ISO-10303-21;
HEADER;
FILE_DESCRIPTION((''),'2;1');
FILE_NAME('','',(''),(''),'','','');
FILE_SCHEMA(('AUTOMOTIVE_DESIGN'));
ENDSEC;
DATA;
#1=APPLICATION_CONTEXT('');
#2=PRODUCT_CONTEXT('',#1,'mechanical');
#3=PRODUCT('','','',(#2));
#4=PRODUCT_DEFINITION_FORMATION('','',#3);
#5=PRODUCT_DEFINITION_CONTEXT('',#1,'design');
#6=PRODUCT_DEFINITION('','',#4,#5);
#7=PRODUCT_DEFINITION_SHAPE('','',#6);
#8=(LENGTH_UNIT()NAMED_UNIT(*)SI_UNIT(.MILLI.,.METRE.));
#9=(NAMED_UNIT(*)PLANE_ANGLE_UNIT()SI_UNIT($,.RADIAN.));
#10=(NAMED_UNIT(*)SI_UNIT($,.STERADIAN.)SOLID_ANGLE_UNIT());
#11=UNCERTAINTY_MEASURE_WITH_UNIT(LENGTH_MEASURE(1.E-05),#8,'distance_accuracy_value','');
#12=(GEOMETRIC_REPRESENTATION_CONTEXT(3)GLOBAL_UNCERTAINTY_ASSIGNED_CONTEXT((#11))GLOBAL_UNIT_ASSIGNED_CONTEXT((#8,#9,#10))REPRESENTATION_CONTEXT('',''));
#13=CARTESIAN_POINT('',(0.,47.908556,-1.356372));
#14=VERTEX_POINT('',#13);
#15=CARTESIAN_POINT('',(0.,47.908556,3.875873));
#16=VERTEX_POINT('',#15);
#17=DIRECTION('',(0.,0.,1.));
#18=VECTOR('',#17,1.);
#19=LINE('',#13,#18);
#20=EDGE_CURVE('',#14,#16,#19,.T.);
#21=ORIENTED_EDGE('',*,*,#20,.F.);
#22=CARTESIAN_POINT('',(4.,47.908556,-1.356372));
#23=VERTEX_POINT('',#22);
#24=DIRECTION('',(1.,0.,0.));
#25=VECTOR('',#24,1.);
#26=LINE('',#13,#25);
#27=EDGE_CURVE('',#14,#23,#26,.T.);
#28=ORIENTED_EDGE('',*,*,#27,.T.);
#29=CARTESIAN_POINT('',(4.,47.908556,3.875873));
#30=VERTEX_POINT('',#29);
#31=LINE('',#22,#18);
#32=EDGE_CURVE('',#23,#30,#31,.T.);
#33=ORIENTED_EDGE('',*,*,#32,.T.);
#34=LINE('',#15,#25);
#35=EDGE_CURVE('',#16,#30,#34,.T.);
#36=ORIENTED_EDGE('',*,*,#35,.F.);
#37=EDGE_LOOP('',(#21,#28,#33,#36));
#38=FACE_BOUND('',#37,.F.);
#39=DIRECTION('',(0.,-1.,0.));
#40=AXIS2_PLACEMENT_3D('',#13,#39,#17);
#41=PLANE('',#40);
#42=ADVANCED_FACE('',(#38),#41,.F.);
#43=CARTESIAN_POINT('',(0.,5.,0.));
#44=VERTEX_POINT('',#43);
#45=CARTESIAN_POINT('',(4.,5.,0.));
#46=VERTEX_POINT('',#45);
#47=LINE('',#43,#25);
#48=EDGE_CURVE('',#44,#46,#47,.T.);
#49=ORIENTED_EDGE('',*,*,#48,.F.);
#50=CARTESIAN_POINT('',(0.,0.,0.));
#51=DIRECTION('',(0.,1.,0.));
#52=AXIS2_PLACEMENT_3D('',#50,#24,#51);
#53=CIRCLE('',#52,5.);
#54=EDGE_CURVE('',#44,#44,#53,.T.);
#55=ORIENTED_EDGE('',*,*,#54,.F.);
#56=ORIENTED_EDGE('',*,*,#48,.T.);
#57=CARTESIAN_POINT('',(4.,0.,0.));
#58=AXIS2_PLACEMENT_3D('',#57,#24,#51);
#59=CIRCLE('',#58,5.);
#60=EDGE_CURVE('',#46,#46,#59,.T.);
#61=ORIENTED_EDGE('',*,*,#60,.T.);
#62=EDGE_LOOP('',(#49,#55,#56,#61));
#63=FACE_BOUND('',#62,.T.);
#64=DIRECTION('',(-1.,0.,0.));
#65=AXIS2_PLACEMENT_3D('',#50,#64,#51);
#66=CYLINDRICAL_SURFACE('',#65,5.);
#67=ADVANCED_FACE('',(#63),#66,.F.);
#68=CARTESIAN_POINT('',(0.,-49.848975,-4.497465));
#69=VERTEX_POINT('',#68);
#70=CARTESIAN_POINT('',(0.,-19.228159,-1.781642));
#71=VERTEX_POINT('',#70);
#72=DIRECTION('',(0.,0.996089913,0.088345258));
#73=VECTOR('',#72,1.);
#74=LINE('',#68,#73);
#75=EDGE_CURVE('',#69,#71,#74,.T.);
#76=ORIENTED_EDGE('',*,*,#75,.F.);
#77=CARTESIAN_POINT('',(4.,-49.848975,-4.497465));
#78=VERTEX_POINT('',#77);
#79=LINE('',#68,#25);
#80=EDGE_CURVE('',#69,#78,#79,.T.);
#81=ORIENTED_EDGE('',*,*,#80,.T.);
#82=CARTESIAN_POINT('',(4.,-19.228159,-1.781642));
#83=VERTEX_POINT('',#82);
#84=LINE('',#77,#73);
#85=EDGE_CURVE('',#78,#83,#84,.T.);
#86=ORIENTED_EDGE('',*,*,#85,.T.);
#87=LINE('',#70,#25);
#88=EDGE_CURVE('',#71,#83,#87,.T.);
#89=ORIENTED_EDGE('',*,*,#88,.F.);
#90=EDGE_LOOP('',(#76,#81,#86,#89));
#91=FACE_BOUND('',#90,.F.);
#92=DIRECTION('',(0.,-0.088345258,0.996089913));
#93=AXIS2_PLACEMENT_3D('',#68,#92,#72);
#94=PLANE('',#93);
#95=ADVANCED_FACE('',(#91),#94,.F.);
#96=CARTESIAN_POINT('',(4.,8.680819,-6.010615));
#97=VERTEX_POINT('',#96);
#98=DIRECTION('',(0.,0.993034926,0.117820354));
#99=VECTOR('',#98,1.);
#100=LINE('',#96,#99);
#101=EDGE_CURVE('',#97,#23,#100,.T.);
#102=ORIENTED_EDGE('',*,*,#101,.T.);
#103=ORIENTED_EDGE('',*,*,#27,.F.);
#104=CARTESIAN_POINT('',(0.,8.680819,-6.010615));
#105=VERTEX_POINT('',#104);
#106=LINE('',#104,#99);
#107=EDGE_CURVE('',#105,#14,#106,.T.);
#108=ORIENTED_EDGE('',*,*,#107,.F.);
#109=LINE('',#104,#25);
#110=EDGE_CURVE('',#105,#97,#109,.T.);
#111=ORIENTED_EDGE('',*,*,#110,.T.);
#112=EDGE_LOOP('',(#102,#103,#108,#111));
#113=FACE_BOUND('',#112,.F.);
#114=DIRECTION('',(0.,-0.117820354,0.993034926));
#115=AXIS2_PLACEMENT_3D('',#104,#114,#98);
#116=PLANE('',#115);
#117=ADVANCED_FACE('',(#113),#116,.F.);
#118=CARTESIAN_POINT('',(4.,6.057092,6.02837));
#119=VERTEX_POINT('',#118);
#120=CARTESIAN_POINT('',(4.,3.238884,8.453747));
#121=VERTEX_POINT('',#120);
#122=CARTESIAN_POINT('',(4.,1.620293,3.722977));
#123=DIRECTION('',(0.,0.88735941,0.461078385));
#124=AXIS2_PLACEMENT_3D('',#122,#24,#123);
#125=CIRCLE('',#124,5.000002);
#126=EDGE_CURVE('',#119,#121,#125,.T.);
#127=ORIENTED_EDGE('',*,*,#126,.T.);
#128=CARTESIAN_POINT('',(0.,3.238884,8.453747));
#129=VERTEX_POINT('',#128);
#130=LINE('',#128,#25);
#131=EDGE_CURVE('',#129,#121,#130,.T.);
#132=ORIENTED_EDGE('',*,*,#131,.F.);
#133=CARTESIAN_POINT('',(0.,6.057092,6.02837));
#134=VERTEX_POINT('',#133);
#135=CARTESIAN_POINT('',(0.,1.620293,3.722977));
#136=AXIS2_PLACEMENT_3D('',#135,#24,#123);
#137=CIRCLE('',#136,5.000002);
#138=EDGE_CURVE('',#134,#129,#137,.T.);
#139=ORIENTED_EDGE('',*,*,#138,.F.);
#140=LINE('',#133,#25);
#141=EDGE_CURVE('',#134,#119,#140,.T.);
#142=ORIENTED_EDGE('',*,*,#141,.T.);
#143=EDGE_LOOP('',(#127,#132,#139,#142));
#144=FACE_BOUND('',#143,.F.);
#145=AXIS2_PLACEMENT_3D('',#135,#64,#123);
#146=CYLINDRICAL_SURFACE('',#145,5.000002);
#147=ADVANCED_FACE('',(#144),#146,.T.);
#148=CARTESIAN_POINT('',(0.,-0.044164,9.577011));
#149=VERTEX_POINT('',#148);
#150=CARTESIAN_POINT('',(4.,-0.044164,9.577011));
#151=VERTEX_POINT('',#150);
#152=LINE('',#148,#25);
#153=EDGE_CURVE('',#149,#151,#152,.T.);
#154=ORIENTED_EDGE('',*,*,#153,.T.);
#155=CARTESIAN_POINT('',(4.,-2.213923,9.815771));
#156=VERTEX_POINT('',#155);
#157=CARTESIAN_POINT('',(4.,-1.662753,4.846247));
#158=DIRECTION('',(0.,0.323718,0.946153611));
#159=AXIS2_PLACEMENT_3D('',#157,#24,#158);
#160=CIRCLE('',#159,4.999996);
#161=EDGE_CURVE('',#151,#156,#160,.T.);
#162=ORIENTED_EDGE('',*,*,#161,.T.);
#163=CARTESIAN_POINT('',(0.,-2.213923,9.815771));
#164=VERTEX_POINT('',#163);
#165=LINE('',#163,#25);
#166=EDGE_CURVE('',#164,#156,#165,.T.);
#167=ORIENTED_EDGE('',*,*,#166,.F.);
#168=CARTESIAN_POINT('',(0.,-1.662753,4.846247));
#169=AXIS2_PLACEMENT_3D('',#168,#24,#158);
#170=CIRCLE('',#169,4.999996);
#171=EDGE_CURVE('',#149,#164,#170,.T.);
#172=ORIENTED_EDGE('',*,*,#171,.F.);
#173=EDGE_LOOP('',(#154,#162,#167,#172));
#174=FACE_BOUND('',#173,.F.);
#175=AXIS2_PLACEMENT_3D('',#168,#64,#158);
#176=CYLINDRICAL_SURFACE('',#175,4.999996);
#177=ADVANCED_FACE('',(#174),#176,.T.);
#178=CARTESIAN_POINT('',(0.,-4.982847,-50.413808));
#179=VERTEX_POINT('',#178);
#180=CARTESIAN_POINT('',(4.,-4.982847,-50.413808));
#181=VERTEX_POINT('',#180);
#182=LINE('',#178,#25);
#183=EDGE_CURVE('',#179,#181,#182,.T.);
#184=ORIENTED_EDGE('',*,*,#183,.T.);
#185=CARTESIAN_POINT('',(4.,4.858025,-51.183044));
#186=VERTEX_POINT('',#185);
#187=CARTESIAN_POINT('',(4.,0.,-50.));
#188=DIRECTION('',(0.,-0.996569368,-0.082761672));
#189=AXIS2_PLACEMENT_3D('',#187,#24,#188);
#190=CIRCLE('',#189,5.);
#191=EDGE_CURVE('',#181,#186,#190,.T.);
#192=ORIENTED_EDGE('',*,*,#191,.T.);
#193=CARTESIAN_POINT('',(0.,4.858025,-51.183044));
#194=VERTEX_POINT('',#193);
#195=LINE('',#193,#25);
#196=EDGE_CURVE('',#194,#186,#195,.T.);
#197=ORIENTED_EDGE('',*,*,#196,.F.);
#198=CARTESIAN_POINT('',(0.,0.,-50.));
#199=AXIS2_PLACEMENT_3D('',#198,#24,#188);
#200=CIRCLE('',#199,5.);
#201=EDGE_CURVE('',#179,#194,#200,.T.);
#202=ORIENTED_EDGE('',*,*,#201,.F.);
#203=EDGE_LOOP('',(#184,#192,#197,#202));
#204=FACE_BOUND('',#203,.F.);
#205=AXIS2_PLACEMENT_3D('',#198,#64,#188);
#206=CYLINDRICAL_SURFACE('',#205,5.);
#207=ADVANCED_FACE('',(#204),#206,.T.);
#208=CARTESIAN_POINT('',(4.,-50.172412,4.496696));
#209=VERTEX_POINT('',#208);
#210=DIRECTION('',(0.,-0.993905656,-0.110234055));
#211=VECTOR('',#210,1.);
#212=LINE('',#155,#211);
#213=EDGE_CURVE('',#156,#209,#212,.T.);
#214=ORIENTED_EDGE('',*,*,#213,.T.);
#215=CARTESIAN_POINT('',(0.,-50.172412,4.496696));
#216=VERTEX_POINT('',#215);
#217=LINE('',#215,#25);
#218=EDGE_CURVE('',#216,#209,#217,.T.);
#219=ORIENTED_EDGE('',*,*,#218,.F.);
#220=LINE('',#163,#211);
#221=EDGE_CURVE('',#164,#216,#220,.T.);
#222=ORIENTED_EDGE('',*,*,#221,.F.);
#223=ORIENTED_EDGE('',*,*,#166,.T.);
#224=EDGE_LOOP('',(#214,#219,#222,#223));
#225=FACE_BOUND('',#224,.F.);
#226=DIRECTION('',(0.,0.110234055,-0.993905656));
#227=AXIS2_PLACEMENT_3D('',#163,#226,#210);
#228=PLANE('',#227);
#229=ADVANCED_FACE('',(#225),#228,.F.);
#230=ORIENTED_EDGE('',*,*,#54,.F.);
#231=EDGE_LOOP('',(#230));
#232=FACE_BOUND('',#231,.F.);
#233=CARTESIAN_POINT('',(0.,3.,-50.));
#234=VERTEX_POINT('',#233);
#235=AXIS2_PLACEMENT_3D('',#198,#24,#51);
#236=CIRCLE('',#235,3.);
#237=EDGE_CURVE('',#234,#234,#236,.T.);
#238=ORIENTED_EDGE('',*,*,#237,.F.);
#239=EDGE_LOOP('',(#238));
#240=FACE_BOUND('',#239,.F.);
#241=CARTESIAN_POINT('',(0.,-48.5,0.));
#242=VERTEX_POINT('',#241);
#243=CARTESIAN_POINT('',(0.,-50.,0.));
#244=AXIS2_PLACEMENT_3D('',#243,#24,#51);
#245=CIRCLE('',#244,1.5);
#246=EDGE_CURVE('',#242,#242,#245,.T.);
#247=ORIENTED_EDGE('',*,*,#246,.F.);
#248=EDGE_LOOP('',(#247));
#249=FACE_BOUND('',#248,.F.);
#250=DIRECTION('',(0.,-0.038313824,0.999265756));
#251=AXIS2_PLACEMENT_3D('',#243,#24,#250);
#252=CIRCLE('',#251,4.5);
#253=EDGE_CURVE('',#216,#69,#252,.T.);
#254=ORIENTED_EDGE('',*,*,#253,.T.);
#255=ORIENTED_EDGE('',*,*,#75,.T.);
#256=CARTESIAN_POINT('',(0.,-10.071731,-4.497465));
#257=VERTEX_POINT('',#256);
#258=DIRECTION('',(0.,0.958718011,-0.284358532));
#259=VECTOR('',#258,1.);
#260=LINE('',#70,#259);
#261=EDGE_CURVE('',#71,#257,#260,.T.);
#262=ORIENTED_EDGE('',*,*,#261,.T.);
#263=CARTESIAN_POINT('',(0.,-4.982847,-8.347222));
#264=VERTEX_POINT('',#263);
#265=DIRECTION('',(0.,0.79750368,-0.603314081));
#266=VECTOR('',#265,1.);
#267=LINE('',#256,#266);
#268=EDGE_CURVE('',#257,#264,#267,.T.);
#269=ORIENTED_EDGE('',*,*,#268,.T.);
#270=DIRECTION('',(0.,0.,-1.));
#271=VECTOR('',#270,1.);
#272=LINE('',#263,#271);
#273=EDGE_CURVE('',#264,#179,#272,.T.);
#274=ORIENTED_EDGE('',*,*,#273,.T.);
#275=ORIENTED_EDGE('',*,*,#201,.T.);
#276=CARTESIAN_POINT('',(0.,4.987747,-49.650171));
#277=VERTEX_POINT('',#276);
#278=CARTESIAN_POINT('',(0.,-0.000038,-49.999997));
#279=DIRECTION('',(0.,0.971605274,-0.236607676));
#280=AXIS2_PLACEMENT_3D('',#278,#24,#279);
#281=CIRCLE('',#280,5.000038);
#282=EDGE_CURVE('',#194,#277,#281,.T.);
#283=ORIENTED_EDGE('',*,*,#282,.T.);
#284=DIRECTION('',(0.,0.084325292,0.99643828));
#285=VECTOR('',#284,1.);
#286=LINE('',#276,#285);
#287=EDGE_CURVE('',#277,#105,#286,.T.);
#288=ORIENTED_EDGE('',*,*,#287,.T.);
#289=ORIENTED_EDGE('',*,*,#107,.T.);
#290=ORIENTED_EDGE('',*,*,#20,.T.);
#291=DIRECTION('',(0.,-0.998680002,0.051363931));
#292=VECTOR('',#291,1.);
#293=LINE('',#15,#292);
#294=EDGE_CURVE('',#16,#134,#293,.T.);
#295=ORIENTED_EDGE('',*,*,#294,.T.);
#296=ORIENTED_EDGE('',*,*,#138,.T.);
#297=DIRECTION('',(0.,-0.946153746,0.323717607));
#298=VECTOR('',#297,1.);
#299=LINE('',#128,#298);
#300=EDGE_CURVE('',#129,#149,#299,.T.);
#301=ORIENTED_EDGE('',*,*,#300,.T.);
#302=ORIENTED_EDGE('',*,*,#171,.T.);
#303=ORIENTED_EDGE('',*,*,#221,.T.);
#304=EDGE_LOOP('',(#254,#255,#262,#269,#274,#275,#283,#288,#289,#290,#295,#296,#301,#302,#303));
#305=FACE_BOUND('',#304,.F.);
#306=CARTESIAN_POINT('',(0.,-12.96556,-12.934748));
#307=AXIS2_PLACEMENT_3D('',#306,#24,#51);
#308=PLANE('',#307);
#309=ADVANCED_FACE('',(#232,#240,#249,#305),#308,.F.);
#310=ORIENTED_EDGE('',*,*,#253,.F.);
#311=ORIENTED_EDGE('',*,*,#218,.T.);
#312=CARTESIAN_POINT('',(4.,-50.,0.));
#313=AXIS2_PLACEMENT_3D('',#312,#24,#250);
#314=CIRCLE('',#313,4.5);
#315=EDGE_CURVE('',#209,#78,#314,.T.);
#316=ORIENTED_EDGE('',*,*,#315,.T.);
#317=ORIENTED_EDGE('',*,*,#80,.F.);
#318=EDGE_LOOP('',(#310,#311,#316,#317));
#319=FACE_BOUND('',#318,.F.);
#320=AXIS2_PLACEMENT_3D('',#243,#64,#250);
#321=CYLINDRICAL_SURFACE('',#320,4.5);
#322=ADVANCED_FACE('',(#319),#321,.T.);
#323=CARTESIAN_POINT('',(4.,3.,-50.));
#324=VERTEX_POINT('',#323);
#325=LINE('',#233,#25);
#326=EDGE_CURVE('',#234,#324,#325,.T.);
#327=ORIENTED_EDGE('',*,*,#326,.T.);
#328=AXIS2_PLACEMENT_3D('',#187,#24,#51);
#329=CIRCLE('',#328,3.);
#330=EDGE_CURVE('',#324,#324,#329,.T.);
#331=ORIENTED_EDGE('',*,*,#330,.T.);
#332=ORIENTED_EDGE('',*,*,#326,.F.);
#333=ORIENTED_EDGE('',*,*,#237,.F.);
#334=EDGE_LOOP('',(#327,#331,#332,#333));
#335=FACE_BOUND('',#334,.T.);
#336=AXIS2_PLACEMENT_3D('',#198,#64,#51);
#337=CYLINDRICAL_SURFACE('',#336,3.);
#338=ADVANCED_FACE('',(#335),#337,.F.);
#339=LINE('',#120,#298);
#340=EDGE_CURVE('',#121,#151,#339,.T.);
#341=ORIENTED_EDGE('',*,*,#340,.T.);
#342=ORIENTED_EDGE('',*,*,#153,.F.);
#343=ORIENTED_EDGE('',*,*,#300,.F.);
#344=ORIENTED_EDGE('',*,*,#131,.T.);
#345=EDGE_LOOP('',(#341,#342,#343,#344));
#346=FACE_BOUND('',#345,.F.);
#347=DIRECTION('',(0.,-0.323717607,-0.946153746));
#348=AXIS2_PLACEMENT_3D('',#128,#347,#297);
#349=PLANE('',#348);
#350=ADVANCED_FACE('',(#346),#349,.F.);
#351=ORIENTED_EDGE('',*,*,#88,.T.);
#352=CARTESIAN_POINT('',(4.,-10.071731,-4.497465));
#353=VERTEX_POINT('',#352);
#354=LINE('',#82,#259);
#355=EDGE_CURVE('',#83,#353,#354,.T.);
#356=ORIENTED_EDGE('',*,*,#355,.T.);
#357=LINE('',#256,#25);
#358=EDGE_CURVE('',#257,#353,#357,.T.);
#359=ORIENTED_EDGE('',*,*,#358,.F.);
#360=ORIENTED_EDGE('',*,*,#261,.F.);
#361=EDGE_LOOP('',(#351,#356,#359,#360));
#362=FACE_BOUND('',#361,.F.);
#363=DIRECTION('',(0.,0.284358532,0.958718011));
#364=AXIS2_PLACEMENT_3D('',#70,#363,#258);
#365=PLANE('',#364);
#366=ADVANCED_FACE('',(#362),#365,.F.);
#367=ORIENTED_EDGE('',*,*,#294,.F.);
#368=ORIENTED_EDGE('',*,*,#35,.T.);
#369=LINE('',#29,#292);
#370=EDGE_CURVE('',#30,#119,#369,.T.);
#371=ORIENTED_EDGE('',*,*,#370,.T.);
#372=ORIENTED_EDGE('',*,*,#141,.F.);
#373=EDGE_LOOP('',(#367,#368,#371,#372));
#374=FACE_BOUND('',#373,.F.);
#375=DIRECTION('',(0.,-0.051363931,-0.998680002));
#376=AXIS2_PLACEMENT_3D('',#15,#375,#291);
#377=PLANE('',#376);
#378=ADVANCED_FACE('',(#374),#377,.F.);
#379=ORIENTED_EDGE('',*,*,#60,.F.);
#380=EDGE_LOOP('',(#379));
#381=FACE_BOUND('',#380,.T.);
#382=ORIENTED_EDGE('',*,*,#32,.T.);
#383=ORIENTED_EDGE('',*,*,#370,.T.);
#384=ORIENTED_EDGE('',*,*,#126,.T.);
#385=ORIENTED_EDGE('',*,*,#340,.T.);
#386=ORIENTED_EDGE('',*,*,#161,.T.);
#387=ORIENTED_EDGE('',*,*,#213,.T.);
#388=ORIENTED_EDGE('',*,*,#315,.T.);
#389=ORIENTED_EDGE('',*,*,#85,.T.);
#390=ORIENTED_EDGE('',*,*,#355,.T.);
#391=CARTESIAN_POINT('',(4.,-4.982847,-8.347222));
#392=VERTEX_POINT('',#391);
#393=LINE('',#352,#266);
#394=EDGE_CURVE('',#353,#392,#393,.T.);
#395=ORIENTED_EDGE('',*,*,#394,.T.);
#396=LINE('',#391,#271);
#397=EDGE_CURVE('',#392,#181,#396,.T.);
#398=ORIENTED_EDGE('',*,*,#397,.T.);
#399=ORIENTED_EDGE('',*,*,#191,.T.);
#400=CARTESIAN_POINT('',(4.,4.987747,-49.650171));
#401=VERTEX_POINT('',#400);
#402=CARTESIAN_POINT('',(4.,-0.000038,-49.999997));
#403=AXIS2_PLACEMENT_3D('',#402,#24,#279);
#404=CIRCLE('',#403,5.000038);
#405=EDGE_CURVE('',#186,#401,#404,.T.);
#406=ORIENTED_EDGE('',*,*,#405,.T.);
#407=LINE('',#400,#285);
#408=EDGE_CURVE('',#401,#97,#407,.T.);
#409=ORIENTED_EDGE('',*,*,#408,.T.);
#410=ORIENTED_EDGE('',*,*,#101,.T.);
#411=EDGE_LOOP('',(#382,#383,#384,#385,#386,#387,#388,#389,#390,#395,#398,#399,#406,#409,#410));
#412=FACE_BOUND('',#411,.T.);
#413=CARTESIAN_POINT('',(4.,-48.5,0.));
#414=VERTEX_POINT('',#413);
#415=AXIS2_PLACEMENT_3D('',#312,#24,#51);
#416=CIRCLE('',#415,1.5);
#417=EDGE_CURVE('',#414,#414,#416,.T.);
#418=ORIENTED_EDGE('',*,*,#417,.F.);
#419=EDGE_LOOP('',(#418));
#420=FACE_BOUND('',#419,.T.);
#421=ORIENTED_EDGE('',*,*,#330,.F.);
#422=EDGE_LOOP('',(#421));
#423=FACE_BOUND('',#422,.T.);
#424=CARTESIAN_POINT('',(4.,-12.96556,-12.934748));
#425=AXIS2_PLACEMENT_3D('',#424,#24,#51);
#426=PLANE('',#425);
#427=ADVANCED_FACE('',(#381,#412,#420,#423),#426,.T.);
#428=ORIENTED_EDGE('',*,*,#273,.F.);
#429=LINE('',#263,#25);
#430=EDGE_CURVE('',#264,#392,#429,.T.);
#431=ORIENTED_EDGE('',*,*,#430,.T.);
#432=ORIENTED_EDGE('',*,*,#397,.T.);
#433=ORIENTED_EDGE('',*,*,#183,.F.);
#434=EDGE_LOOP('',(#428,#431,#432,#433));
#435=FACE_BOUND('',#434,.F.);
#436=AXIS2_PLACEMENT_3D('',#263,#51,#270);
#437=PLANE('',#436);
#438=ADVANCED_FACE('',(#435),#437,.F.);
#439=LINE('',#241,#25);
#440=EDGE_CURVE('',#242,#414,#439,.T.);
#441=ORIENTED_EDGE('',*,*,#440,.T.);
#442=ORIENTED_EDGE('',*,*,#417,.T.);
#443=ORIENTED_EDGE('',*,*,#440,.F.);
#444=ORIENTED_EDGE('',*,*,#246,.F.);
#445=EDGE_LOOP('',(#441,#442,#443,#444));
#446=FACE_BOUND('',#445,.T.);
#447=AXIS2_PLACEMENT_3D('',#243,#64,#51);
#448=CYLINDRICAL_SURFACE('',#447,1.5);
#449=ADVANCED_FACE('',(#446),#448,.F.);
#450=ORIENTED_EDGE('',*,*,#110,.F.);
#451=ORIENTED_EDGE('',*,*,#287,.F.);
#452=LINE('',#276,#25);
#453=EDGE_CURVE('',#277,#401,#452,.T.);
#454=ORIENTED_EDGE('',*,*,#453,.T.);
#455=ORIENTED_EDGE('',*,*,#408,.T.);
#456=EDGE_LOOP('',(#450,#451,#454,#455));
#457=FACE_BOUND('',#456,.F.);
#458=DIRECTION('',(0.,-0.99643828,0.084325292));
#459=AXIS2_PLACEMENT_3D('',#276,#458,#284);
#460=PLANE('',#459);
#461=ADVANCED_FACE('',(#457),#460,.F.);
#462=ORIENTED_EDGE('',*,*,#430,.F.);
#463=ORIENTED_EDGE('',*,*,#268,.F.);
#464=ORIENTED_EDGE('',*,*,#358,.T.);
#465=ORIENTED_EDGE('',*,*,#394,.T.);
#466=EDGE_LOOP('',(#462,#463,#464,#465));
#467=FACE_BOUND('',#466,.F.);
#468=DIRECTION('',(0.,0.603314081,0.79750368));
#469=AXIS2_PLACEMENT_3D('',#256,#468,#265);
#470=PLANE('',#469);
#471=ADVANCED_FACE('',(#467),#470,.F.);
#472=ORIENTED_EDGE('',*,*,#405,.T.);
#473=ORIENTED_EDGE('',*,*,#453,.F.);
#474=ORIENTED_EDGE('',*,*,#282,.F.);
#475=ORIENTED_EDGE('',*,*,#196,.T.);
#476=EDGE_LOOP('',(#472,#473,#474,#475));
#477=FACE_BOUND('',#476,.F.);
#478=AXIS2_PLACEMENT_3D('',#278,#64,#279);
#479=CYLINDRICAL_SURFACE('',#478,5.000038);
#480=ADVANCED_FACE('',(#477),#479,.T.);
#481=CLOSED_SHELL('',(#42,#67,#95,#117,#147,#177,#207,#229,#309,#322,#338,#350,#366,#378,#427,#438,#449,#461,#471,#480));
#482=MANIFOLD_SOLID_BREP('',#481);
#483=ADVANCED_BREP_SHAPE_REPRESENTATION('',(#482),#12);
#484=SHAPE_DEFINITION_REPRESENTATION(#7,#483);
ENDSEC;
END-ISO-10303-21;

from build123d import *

# Parameters (mm, degrees)
F0_R     = 3
F0_R_2   = 1.5
F0_R_3   = 5
F1_DEPTH = 4


with BuildPart() as f1:
    # F0 (on Right) → F1 (new body)
    with BuildSketch(Plane.YZ):
        with BuildLine():
            Line((-2.213923, 9.815771), (-50.172412, 4.496696))
            ThreePointArc((-50.172412, 4.496696), (-54.497093, -0.161719), (-49.848975, -4.497465))
            Line((-49.848975, -4.497465), (-19.228159, -1.781642))
            Line((-19.228159, -1.781642), (-10.071731, -4.497465))
            Line((-10.071731, -4.497465), (-4.982847, -8.347222))
            Line((-4.982847, -8.347222), (-4.982847, -50.413808))
            ThreePointArc((-4.982847, -50.413808), (-0.389649, -54.984794), (4.858025, -51.183044))
            Line((4.858025, -51.183044), (4.987747, -49.650171))
            Line((4.987747, -49.650171), (8.680819, -6.010615))
            Line((8.680819, -6.010615), (9.067407, -1.442462))
            ThreePointArc((9.067407, -1.442462), (8.988122, -0.04027), (8.522012, 1.284557))
            Line((8.522012, 1.284557), (6.057092, 6.02837))
            ThreePointArc((6.057092, 6.02837), (4.881819, 7.512762), (3.238884, 8.453747))
            Line((3.238884, 8.453747), (-0.044164, 9.577011))
            ThreePointArc((-0.044164, 9.577011), (-1.115855, 9.816243), (-2.213923, 9.815771))
        make_face()
        with Locations((0, -50)):
            Circle(F0_R, mode=Mode.SUBTRACT)
        with Locations((-50, 0)):
            Circle(F0_R_2, mode=Mode.SUBTRACT)
        Circle(F0_R_3, mode=Mode.SUBTRACT)
        with BuildLine():
            Line((47.908556, 3.875873), (6.057092, 6.02837))
            Line((6.057092, 6.02837), (8.522012, 1.284557))
            ThreePointArc((8.522012, 1.284557), (8.988122, -0.04027), (9.067407, -1.442462))
            Line((9.067407, -1.442462), (8.680819, -6.010615))
            Line((8.680819, -6.010615), (47.908556, -1.356372))
            Line((47.908556, -1.356372), (47.908556, 3.875873))
        make_face()
        with BuildLine():
            Line((4.987747, -49.650171), (4.858025, -51.183044))
            ThreePointArc((4.858025, -51.183044), (4.982191, -50.421626), (4.987747, -49.650171))
        make_face()
    extrude(amount=F1_DEPTH)


solid = f1.part
